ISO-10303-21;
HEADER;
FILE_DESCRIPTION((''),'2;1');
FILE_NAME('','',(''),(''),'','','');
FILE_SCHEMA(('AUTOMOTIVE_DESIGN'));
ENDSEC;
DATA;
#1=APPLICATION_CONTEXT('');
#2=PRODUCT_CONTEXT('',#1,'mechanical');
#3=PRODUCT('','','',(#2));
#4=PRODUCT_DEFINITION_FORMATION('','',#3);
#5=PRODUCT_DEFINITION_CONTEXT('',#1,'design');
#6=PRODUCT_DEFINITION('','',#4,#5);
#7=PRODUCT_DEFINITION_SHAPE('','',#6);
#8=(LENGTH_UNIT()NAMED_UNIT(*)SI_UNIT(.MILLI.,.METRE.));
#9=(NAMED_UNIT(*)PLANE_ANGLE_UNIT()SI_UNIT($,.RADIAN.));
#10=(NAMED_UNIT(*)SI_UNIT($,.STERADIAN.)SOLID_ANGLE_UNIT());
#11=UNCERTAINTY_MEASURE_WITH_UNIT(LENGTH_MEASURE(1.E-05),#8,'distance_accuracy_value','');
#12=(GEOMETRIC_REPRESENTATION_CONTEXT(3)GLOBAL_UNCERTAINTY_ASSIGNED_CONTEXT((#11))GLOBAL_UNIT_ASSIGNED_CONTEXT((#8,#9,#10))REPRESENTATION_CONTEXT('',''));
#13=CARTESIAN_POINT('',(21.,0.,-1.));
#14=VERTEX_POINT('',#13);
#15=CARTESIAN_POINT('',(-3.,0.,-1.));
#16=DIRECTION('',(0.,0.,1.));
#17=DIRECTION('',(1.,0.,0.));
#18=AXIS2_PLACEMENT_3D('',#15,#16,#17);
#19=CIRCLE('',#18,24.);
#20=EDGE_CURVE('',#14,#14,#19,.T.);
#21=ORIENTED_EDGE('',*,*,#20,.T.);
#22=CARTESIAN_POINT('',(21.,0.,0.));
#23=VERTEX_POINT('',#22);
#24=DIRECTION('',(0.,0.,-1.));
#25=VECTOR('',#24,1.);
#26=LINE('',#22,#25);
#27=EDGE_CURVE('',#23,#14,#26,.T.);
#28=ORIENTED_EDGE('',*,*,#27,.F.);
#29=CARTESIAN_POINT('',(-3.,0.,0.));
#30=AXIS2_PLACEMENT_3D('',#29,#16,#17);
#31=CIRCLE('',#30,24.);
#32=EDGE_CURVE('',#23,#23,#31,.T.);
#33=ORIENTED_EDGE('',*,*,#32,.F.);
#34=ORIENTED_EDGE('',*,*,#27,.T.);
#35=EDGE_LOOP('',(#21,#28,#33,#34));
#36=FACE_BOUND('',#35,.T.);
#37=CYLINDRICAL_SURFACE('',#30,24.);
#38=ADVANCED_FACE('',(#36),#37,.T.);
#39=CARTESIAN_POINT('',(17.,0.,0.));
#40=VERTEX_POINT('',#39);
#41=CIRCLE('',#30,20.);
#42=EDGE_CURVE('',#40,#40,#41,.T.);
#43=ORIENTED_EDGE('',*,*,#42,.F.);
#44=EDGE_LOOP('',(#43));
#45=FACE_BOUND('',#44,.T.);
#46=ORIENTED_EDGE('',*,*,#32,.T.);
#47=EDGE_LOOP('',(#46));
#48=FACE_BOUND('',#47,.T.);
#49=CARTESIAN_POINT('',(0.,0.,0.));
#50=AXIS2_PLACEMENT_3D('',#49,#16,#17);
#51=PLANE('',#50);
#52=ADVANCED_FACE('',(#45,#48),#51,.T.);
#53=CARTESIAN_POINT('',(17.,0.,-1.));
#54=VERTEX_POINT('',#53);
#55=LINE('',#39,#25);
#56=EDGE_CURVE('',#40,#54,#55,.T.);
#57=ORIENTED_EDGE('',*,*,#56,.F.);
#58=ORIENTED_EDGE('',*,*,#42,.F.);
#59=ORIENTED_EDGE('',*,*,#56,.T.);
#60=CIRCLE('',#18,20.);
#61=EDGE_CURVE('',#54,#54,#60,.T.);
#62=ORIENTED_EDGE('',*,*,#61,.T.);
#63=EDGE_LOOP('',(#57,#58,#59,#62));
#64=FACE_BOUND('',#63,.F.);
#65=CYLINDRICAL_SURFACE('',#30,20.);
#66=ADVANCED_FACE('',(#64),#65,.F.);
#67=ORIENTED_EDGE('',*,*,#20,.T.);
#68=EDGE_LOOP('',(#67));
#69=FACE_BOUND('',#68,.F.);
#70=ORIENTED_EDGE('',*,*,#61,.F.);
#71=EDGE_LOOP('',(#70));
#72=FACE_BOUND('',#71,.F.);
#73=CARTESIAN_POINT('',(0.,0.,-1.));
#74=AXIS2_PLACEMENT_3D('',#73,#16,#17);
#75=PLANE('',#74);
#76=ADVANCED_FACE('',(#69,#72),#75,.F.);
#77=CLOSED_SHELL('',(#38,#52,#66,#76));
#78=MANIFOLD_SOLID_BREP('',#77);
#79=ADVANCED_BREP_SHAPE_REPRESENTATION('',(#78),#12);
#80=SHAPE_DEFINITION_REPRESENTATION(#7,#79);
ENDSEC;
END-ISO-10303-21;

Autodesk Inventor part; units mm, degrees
ref_plane "YZ Plane" through (0, 0, 0) normal (1, 0, 0) x (0, 1, 0)
ref_plane "XZ Plane" through (0, 0, 0) normal (0, 1, 0) x (-1, 0, 0)
sketch "Sketch1" plane through (0, 0, 0) normal (0, 0, 1) x (1, 0, 0)
  line L0 (-60, 40) -> (60, 40) projected
  line L1 (-60, -40) -> (-60, 40) projected
  line L2 (-60, -40) -> (60, -40) projected
  line L3 (60, 40) -> (60, -40) projected
  circle A0 centre (-46, -15) radius 2 projected
  circle A1 centre (-46, 15) radius 2 projected
  circle A2 centre (-46, 5) radius 2 projected
  circle A3 centre (-46, -5) radius 2 projected
  circle A4 centre (-3, 0) radius 24 projected
  line L4 (-38.25, 16.5) -> (-38.25, -16.5) projected
  arc A5 (-37.25, 17.5) -> (-38.25, 16.5) centre (-37.25, 16.5) ccw projected
  line L5 (-36.75, 17.5) -> (-37.25, 17.5) projected
  arc A6 (-35.75, 16.5) -> (-36.75, 17.5) centre (-36.75, 16.5) ccw projected
  line L6 (-35.75, -16.5) -> (-35.75, 16.5) projected
  arc A7 (-36.75, -17.5) -> (-35.75, -16.5) centre (-36.75, -16.5) ccw projected
  line L7 (-37.25, -17.5) -> (-36.75, -17.5) projected
  arc A8 (-38.25, -16.5) -> (-37.25, -17.5) centre (-37.25, -16.5) ccw projected
  arc A9 (47, 6.4964) -> (46.6925, 7.2389) centre (45.95, 6.4964) ccw projected
  line L8 (47, 1.3036) -> (47, 6.4964) projected
  arc A10 (46.6925, 0.5611) -> (47, 1.3036) centre (45.95, 1.3036) ccw projected
  line L9 (46.0889, -0.0425) -> (46.6925, 0.5611) projected
  arc A11 (45.3464, -0.35) -> (46.0889, -0.0425) centre (45.3464, 0.7) ccw projected
  line L10 (44.6, -0.35) -> (45.3464, -0.35) projected
  arc A12 (43.55, 0.7) -> (44.6, -0.35) centre (44.6, 0.7) ccw projected
  line L11 (43.55, 7.1) -> (43.55, 0.7) projected
  arc A13 (44.6, 8.15) -> (43.55, 7.1) centre (44.6, 7.1) ccw projected
  line L12 (45.3464, 8.15) -> (44.6, 8.15) projected
  arc A14 (46.0889, 7.8425) -> (45.3464, 8.15) centre (45.3464, 7.1) ccw projected
  line L13 (46.6925, 7.2389) -> (46.0889, 7.8425) projected
  arc A15 (46.0889, 20.4425) -> (45.3464, 20.75) centre (45.3464, 19.7) ccw projected
  line L14 (46.6925, 19.8389) -> (46.0889, 20.4425) projected
  arc A16 (47, 19.0964) -> (46.6925, 19.8389) centre (45.95, 19.0964) ccw projected
  line L15 (47, 13.9036) -> (47, 19.0964) projected
  arc A17 (46.6925, 13.1611) -> (47, 13.9036) centre (45.95, 13.9036) ccw projected
  line L16 (46.0889, 12.5575) -> (46.6925, 13.1611) projected
  arc A18 (45.3464, 12.25) -> (46.0889, 12.5575) centre (45.3464, 13.3) ccw projected
  line L17 (44.6, 12.25) -> (45.3464, 12.25) projected
  arc A19 (43.55, 13.3) -> (44.6, 12.25) centre (44.6, 13.3) ccw projected
  line L18 (43.55, 19.7) -> (43.55, 13.3) projected
  arc A20 (44.6, 20.75) -> (43.55, 19.7) centre (44.6, 19.7) ccw projected
  line L19 (45.3464, 20.75) -> (44.6, 20.75) projected
  arc A21 (44.9066, -31.2) -> (45.7117, -30.824) centre (44.9066, -30.15) ccw projected
  line L20 (43.6, -31.2) -> (44.9066, -31.2) projected
  arc A22 (42.55, -30.15) -> (43.6, -31.2) centre (43.6, -30.15) ccw projected
  line L21 (42.55, -20.05) -> (42.55, -30.15) projected
  arc A23 (43.6, -19) -> (42.55, -20.05) centre (43.6, -20.05) ccw projected
  line L22 (44.9066, -19) -> (43.6, -19) projected
  arc A24 (45.7117, -19.376) -> (44.9066, -19) centre (44.9066, -20.05) ccw projected
  line L23 (46.5051, -20.3236) -> (45.7117, -19.376) projected
  arc A25 (46.75, -20.9977) -> (46.5051, -20.3236) centre (45.7, -20.9977) ccw projected
  line L24 (46.75, -29.2023) -> (46.75, -20.9977) projected
  arc A26 (46.5051, -29.8764) -> (46.75, -29.2023) centre (45.7, -29.2023) ccw projected
  line L25 (45.7117, -30.824) -> (46.5051, -29.8764) projected
  circle A27 centre (-3, 0) radius 20 projected
  line L26 (-4.9829, -16.5206) -> (-5.9278, -12.5763) projected
  arc A28 (-13.0313, -14.3378) -> (-4.9829, -16.5206) centre (-5.3347, -1.8882) ccw projected
  line L27 (-9.9103, -11.5424) -> (-13.0313, -14.3378) projected
  arc A29 (-9.9103, -11.5424) -> (-5.9278, -12.5763) centre (-5.7132, -3.5627) ccw projected
  arc A30 (-0.0919, -15.9071) -> (7.2747, -11.8475) centre (-2.7237, -2.4177) ccw projected
  line L28 (0.3082, -11.9887) -> (-0.0919, -15.9071) projected
  arc A31 (0.3082, -11.9887) -> (4.4034, -9.8705) centre (-1.64, -3.2044) ccw projected
  line L29 (7.2747, -11.8475) -> (4.4034, -9.8705) projected
  arc A32 (10.3584, -7.8183) -> (12.5975, 0.4235) centre (-1.6873, -0.1207) ccw projected
  line L30 (8.4528, -5.5316) -> (10.3584, -7.8183) projected
  arc A33 (8.4528, -5.5316) -> (10.3584, -0.1207) centre (-1.1936, 0.9067) ccw projected
  line L31 (12.5975, 0.4235) -> (10.3584, -0.1207) projected
  line L32 (-1.0171, 17.2737) -> (-1.0171, 0) projected
  line L33 (2.6726, 16.143) -> (-1.0171, 17.2737) projected
  line L34 (2.6726, -1.2301) -> (2.6726, 16.143) projected
  arc A34 (-7.7609, -3.017) -> (2.6726, -1.2301) centre (-2.6972, -1.2301) ccw projected
  line L35 (-15.8062, -12.4229) -> (-7.7609, -3.017) projected
  line L36 (-15.8062, -6.1523) -> (-15.8062, -12.4229) projected
  line L37 (-4.9829, 7.2171) -> (-15.8062, -6.1523) projected
  line L38 (-4.9829, 0) -> (-4.9829, 7.2171) projected
  arc A35 (-4.9829, 0) -> (-1.0171, 0) centre (-3, 0) ccw projected
  arc A36 (10.1212, 5.2642) -> (7.032, 13.5602) centre (-5.4227, 4.1993) ccw projected
  arc A37 (11.8645, 5.2642) -> (7.032, 13.5602) centre (-3, 2.1609) ccw projected
  line L39 (10.1212, 5.2642) -> (11.8645, 5.2642) projected
  arc A38 (-4.9829, 17.8118) -> (-20.0222, -7.6009) centre (-4.1256, 0.1479) ccw projected
  line L40 (-4.9829, 13.5892) -> (-4.9829, 17.8118) projected
  arc A39 (-4.9829, 13.5892) -> (-20.0222, -7.6009) centre (-5.2399, -2.1604) ccw projected
  point P0 (0, 0)
ref_plane "Work Plane1" through (-58, -38, -1) normal (0, 0, -1) x (0, 1, 0)
extrude "Extrusion1" add sketch "Sketch1" against normal up to surface (1 mm away) contours A4
properties part number "Transparent_window"
